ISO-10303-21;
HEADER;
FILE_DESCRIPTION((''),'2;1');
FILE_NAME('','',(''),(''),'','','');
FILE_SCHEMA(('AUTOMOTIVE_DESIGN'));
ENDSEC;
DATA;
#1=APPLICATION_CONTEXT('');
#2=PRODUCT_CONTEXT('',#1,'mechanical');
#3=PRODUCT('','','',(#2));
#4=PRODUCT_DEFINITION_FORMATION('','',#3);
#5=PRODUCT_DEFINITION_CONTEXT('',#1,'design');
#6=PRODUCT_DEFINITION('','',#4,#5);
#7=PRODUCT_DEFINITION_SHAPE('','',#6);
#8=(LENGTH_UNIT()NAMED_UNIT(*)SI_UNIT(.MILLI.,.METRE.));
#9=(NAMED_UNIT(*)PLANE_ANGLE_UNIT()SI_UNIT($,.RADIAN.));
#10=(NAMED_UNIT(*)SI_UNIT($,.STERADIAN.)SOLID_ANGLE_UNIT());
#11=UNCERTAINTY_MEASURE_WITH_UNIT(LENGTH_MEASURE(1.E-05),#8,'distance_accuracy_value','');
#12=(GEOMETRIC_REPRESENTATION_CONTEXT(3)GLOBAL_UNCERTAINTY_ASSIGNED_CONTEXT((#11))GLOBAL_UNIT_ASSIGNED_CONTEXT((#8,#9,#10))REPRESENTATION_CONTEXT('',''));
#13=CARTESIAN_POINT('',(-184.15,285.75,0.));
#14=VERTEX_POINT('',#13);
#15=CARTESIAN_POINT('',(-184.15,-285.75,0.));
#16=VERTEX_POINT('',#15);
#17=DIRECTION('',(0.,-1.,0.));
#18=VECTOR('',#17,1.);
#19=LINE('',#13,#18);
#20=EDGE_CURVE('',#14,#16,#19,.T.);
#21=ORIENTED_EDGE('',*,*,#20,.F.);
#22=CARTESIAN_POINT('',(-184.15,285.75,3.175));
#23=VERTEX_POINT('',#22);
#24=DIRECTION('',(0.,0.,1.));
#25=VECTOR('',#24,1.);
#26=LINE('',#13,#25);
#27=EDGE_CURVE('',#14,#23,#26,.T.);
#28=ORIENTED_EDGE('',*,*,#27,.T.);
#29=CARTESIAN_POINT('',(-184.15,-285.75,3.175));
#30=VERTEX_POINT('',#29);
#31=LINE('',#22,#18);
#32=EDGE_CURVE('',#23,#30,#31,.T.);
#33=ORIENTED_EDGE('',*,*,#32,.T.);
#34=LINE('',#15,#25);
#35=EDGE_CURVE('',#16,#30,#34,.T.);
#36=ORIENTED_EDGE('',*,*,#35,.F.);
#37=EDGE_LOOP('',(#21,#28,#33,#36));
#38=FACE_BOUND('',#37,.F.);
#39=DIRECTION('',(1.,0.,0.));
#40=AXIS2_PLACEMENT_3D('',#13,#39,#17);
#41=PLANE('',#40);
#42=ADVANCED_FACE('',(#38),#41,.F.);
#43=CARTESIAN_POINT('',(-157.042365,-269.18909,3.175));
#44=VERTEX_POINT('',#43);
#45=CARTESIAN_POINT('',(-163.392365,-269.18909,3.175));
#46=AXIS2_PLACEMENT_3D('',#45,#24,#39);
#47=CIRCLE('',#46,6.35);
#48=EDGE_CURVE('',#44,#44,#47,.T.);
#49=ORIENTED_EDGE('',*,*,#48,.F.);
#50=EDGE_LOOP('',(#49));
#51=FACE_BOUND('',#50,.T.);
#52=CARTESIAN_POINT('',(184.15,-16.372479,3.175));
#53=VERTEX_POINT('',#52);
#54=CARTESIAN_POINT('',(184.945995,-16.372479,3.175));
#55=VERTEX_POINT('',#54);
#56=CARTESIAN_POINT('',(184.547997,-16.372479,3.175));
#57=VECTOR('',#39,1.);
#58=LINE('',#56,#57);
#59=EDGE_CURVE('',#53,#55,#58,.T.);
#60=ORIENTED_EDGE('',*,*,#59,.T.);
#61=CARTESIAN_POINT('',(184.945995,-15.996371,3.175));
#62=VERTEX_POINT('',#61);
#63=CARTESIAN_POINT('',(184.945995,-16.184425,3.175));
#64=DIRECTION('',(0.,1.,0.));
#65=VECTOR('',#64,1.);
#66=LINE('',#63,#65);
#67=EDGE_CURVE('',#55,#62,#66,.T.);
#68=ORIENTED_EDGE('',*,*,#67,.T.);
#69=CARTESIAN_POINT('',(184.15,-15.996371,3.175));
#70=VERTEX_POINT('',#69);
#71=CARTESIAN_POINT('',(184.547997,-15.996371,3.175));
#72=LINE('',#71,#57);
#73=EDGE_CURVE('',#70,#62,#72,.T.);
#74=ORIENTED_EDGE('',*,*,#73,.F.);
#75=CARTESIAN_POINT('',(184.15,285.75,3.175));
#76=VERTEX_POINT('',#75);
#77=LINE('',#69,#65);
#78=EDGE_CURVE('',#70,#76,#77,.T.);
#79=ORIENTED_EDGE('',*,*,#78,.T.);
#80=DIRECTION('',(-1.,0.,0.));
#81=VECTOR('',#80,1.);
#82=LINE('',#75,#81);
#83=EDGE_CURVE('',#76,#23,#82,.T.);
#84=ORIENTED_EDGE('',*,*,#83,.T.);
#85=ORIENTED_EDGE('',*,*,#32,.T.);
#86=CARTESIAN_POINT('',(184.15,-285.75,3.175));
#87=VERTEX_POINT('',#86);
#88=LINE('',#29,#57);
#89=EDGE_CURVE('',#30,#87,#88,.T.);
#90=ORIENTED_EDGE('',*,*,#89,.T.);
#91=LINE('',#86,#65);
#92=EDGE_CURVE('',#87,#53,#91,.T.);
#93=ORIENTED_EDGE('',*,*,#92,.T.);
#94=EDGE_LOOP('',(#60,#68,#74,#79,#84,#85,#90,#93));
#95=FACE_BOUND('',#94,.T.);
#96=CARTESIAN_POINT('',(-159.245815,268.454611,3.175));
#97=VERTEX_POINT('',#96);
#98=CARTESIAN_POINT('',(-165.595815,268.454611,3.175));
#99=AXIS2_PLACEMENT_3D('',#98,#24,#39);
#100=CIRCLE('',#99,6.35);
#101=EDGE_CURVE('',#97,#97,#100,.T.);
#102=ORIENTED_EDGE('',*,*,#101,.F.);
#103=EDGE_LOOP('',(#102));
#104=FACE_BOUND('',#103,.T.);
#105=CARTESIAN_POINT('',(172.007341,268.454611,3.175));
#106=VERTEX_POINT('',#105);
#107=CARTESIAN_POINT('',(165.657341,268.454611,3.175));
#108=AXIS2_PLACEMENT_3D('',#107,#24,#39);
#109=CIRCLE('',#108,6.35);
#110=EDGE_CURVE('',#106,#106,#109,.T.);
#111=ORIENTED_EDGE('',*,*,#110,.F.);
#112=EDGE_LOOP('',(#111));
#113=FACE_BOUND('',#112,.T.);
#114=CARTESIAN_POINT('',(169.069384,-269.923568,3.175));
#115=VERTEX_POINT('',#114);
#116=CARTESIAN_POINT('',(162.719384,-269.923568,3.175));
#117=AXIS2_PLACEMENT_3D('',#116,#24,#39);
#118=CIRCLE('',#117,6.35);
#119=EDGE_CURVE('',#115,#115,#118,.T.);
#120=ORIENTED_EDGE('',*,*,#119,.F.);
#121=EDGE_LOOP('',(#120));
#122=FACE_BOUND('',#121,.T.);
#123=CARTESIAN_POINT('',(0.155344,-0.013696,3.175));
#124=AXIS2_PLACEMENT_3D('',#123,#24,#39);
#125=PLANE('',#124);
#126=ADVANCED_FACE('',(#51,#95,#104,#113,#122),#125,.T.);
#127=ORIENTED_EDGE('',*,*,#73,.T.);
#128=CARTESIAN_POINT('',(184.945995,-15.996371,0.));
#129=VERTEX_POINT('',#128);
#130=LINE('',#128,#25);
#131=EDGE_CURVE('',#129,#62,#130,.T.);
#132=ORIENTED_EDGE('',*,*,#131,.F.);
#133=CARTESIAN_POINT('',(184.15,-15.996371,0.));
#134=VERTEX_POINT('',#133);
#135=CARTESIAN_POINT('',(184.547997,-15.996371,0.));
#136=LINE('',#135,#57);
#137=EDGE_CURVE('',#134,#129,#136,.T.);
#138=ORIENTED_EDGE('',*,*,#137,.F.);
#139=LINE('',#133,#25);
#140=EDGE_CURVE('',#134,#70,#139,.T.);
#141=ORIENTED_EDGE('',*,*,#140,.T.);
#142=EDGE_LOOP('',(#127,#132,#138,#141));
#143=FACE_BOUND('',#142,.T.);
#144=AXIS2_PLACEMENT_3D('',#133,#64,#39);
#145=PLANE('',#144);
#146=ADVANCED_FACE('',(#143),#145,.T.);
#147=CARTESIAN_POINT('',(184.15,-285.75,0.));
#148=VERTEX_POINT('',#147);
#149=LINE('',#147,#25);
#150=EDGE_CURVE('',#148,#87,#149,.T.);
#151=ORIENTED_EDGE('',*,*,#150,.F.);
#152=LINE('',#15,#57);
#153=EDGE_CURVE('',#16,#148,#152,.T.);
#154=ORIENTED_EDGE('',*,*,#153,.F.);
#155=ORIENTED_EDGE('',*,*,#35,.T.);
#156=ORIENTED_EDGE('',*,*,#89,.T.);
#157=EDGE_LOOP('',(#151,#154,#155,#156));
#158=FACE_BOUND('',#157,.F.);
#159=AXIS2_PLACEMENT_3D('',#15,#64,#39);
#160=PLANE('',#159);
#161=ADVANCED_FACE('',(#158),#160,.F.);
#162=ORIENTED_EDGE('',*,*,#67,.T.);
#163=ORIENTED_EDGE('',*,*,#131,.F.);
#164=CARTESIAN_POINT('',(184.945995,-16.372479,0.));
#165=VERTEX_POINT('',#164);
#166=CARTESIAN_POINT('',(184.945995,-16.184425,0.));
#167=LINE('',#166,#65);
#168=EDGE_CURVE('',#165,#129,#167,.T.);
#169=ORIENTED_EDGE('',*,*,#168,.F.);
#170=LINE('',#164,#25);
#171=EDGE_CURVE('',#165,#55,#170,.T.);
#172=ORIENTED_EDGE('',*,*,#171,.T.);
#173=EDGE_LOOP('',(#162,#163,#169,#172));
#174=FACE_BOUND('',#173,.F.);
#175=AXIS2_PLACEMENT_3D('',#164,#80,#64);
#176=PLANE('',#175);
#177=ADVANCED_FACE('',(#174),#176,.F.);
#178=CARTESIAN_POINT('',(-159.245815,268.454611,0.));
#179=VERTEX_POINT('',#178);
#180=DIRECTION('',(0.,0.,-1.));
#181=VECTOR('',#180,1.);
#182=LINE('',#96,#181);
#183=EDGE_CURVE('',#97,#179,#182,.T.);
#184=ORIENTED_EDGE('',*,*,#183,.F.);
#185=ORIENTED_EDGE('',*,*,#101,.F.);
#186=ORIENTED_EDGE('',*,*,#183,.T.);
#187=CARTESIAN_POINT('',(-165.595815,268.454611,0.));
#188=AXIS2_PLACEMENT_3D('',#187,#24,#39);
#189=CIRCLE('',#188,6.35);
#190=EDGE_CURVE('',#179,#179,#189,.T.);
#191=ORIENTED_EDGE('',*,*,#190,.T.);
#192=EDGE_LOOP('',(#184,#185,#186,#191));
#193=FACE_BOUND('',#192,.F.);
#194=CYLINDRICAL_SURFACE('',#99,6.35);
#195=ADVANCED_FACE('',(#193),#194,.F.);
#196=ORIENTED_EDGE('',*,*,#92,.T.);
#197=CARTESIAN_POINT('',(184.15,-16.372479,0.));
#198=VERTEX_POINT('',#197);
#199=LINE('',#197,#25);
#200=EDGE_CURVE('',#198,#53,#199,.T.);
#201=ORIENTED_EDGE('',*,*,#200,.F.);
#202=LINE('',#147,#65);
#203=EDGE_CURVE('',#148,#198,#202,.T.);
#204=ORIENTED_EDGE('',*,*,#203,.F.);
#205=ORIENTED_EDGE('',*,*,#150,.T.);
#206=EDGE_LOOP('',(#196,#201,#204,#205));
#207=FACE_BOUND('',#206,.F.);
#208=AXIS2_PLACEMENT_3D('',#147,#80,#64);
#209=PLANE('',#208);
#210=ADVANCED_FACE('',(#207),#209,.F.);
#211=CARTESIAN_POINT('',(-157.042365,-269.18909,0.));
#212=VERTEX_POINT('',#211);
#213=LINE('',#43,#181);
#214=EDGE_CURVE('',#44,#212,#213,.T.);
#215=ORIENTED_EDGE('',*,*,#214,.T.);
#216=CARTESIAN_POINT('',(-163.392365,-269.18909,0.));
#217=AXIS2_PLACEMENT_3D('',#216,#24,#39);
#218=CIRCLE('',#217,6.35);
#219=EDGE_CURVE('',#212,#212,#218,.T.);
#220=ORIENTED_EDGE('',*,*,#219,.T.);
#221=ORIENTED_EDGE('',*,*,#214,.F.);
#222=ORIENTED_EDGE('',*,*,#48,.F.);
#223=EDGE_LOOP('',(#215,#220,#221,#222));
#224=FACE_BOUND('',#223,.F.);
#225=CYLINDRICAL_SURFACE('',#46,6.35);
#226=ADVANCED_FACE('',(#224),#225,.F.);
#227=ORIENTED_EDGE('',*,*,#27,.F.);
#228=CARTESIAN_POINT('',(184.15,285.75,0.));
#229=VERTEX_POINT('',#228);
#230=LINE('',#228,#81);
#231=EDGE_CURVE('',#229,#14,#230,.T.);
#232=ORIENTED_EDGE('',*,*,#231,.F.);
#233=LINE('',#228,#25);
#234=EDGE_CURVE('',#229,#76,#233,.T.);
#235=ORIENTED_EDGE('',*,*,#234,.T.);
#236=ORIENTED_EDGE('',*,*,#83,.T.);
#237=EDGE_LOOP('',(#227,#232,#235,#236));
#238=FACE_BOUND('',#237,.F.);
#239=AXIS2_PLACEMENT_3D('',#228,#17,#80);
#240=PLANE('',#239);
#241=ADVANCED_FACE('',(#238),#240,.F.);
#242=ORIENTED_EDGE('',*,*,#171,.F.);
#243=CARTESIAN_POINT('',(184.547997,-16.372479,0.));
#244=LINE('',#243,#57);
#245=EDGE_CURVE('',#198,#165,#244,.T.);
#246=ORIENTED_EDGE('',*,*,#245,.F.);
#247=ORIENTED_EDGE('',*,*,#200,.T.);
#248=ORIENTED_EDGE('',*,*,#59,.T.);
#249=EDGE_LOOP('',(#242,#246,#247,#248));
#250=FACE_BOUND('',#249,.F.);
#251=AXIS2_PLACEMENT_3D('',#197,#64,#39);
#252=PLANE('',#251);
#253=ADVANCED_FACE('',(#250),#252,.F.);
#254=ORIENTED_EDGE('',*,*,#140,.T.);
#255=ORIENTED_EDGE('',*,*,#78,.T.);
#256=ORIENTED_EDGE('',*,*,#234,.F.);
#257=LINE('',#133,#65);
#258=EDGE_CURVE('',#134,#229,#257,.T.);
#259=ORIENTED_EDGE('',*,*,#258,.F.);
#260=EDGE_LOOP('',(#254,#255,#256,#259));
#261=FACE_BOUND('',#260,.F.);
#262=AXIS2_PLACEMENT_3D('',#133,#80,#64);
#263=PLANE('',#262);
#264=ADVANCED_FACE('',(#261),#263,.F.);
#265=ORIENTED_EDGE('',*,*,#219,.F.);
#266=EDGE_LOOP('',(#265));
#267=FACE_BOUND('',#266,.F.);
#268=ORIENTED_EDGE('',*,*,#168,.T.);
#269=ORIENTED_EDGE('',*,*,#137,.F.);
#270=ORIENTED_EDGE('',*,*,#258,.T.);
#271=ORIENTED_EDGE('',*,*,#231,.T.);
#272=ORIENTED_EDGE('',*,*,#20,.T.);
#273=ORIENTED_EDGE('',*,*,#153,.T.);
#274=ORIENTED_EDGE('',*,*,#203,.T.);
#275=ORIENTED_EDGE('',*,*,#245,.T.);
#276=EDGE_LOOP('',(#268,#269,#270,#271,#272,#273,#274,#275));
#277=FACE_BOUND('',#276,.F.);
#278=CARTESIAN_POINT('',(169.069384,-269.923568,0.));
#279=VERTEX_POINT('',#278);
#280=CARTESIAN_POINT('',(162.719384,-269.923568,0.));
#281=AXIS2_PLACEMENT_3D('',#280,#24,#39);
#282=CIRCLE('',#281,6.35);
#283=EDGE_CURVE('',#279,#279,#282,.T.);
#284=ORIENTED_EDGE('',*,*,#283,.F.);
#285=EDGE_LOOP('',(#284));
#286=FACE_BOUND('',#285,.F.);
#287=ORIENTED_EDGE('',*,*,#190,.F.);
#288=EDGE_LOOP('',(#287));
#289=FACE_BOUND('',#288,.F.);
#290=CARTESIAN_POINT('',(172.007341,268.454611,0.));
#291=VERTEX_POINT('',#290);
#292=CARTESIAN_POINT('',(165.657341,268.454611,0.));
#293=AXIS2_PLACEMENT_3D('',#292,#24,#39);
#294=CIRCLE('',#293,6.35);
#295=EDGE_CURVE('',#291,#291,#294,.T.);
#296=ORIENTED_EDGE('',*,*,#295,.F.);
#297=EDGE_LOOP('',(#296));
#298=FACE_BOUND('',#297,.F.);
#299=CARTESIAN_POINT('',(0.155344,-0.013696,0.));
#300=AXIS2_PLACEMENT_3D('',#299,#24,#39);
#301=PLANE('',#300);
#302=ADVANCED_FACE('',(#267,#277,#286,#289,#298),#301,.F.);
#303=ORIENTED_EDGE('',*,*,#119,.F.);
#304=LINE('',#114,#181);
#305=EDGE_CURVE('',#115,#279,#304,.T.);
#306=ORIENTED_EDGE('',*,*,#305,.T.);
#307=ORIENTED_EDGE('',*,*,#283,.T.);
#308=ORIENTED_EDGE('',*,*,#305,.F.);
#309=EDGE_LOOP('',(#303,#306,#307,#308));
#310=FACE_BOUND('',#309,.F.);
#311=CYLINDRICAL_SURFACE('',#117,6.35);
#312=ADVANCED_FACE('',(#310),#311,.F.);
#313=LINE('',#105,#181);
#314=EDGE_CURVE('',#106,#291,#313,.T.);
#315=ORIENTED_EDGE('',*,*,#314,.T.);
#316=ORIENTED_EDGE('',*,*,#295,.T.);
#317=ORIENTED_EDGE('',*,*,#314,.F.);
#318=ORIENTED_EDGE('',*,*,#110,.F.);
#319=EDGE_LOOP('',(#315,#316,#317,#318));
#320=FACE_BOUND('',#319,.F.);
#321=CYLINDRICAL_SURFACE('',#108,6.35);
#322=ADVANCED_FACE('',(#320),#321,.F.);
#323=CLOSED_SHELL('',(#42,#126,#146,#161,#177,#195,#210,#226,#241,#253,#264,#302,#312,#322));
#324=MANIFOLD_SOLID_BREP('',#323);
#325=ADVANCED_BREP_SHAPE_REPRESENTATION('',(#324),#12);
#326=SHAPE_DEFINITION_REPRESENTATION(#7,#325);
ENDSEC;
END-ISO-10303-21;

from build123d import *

# Parameters (mm, degrees)
F0_W     = 0.795994738
F0_H     = 0.3761083686
F1_DEPTH = 3.175
F2_R     = 6.35
F3_DEPTH = 3.175


with BuildPart() as f1:
    # F0 (on Top) → F1 (new body)
    with BuildSketch(Plane.XY):
        Polygon((184.15, -15.9963709149), (184.15, 285.75), (-184.15, 285.75), (-184.15, -285.75), (184.15, -285.75), (184.15, -16.3724792835), (183.354005262, -16.3724792835), (183.354005262, -15.9963709149), align=None)
        with Locations((184.547997369, -16.1844250992)):
            Rectangle(F0_W, F0_H)
        with Locations((183.752002631, -16.1844250992)):
            Rectangle(F0_W, F0_H)
    extrude(amount=F1_DEPTH)

    # F2 (on face) → F3 (cut)
    with BuildSketch(Plane.XY.offset(3.175)):
        with Locations((-165.5958145857, 268.4546113014)):
            Circle(F2_R)
        with Locations((165.6573414803, 268.4546113014)):
            Circle(F2_R)
        with Locations((-163.3923649788, -269.1890895367)):
            Circle(F2_R)
        with Locations((162.7193838358, -269.9235677719)):
            Circle(F2_R)
    extrude(amount=-F3_DEPTH, mode=Mode.SUBTRACT)


solid = f1.part
